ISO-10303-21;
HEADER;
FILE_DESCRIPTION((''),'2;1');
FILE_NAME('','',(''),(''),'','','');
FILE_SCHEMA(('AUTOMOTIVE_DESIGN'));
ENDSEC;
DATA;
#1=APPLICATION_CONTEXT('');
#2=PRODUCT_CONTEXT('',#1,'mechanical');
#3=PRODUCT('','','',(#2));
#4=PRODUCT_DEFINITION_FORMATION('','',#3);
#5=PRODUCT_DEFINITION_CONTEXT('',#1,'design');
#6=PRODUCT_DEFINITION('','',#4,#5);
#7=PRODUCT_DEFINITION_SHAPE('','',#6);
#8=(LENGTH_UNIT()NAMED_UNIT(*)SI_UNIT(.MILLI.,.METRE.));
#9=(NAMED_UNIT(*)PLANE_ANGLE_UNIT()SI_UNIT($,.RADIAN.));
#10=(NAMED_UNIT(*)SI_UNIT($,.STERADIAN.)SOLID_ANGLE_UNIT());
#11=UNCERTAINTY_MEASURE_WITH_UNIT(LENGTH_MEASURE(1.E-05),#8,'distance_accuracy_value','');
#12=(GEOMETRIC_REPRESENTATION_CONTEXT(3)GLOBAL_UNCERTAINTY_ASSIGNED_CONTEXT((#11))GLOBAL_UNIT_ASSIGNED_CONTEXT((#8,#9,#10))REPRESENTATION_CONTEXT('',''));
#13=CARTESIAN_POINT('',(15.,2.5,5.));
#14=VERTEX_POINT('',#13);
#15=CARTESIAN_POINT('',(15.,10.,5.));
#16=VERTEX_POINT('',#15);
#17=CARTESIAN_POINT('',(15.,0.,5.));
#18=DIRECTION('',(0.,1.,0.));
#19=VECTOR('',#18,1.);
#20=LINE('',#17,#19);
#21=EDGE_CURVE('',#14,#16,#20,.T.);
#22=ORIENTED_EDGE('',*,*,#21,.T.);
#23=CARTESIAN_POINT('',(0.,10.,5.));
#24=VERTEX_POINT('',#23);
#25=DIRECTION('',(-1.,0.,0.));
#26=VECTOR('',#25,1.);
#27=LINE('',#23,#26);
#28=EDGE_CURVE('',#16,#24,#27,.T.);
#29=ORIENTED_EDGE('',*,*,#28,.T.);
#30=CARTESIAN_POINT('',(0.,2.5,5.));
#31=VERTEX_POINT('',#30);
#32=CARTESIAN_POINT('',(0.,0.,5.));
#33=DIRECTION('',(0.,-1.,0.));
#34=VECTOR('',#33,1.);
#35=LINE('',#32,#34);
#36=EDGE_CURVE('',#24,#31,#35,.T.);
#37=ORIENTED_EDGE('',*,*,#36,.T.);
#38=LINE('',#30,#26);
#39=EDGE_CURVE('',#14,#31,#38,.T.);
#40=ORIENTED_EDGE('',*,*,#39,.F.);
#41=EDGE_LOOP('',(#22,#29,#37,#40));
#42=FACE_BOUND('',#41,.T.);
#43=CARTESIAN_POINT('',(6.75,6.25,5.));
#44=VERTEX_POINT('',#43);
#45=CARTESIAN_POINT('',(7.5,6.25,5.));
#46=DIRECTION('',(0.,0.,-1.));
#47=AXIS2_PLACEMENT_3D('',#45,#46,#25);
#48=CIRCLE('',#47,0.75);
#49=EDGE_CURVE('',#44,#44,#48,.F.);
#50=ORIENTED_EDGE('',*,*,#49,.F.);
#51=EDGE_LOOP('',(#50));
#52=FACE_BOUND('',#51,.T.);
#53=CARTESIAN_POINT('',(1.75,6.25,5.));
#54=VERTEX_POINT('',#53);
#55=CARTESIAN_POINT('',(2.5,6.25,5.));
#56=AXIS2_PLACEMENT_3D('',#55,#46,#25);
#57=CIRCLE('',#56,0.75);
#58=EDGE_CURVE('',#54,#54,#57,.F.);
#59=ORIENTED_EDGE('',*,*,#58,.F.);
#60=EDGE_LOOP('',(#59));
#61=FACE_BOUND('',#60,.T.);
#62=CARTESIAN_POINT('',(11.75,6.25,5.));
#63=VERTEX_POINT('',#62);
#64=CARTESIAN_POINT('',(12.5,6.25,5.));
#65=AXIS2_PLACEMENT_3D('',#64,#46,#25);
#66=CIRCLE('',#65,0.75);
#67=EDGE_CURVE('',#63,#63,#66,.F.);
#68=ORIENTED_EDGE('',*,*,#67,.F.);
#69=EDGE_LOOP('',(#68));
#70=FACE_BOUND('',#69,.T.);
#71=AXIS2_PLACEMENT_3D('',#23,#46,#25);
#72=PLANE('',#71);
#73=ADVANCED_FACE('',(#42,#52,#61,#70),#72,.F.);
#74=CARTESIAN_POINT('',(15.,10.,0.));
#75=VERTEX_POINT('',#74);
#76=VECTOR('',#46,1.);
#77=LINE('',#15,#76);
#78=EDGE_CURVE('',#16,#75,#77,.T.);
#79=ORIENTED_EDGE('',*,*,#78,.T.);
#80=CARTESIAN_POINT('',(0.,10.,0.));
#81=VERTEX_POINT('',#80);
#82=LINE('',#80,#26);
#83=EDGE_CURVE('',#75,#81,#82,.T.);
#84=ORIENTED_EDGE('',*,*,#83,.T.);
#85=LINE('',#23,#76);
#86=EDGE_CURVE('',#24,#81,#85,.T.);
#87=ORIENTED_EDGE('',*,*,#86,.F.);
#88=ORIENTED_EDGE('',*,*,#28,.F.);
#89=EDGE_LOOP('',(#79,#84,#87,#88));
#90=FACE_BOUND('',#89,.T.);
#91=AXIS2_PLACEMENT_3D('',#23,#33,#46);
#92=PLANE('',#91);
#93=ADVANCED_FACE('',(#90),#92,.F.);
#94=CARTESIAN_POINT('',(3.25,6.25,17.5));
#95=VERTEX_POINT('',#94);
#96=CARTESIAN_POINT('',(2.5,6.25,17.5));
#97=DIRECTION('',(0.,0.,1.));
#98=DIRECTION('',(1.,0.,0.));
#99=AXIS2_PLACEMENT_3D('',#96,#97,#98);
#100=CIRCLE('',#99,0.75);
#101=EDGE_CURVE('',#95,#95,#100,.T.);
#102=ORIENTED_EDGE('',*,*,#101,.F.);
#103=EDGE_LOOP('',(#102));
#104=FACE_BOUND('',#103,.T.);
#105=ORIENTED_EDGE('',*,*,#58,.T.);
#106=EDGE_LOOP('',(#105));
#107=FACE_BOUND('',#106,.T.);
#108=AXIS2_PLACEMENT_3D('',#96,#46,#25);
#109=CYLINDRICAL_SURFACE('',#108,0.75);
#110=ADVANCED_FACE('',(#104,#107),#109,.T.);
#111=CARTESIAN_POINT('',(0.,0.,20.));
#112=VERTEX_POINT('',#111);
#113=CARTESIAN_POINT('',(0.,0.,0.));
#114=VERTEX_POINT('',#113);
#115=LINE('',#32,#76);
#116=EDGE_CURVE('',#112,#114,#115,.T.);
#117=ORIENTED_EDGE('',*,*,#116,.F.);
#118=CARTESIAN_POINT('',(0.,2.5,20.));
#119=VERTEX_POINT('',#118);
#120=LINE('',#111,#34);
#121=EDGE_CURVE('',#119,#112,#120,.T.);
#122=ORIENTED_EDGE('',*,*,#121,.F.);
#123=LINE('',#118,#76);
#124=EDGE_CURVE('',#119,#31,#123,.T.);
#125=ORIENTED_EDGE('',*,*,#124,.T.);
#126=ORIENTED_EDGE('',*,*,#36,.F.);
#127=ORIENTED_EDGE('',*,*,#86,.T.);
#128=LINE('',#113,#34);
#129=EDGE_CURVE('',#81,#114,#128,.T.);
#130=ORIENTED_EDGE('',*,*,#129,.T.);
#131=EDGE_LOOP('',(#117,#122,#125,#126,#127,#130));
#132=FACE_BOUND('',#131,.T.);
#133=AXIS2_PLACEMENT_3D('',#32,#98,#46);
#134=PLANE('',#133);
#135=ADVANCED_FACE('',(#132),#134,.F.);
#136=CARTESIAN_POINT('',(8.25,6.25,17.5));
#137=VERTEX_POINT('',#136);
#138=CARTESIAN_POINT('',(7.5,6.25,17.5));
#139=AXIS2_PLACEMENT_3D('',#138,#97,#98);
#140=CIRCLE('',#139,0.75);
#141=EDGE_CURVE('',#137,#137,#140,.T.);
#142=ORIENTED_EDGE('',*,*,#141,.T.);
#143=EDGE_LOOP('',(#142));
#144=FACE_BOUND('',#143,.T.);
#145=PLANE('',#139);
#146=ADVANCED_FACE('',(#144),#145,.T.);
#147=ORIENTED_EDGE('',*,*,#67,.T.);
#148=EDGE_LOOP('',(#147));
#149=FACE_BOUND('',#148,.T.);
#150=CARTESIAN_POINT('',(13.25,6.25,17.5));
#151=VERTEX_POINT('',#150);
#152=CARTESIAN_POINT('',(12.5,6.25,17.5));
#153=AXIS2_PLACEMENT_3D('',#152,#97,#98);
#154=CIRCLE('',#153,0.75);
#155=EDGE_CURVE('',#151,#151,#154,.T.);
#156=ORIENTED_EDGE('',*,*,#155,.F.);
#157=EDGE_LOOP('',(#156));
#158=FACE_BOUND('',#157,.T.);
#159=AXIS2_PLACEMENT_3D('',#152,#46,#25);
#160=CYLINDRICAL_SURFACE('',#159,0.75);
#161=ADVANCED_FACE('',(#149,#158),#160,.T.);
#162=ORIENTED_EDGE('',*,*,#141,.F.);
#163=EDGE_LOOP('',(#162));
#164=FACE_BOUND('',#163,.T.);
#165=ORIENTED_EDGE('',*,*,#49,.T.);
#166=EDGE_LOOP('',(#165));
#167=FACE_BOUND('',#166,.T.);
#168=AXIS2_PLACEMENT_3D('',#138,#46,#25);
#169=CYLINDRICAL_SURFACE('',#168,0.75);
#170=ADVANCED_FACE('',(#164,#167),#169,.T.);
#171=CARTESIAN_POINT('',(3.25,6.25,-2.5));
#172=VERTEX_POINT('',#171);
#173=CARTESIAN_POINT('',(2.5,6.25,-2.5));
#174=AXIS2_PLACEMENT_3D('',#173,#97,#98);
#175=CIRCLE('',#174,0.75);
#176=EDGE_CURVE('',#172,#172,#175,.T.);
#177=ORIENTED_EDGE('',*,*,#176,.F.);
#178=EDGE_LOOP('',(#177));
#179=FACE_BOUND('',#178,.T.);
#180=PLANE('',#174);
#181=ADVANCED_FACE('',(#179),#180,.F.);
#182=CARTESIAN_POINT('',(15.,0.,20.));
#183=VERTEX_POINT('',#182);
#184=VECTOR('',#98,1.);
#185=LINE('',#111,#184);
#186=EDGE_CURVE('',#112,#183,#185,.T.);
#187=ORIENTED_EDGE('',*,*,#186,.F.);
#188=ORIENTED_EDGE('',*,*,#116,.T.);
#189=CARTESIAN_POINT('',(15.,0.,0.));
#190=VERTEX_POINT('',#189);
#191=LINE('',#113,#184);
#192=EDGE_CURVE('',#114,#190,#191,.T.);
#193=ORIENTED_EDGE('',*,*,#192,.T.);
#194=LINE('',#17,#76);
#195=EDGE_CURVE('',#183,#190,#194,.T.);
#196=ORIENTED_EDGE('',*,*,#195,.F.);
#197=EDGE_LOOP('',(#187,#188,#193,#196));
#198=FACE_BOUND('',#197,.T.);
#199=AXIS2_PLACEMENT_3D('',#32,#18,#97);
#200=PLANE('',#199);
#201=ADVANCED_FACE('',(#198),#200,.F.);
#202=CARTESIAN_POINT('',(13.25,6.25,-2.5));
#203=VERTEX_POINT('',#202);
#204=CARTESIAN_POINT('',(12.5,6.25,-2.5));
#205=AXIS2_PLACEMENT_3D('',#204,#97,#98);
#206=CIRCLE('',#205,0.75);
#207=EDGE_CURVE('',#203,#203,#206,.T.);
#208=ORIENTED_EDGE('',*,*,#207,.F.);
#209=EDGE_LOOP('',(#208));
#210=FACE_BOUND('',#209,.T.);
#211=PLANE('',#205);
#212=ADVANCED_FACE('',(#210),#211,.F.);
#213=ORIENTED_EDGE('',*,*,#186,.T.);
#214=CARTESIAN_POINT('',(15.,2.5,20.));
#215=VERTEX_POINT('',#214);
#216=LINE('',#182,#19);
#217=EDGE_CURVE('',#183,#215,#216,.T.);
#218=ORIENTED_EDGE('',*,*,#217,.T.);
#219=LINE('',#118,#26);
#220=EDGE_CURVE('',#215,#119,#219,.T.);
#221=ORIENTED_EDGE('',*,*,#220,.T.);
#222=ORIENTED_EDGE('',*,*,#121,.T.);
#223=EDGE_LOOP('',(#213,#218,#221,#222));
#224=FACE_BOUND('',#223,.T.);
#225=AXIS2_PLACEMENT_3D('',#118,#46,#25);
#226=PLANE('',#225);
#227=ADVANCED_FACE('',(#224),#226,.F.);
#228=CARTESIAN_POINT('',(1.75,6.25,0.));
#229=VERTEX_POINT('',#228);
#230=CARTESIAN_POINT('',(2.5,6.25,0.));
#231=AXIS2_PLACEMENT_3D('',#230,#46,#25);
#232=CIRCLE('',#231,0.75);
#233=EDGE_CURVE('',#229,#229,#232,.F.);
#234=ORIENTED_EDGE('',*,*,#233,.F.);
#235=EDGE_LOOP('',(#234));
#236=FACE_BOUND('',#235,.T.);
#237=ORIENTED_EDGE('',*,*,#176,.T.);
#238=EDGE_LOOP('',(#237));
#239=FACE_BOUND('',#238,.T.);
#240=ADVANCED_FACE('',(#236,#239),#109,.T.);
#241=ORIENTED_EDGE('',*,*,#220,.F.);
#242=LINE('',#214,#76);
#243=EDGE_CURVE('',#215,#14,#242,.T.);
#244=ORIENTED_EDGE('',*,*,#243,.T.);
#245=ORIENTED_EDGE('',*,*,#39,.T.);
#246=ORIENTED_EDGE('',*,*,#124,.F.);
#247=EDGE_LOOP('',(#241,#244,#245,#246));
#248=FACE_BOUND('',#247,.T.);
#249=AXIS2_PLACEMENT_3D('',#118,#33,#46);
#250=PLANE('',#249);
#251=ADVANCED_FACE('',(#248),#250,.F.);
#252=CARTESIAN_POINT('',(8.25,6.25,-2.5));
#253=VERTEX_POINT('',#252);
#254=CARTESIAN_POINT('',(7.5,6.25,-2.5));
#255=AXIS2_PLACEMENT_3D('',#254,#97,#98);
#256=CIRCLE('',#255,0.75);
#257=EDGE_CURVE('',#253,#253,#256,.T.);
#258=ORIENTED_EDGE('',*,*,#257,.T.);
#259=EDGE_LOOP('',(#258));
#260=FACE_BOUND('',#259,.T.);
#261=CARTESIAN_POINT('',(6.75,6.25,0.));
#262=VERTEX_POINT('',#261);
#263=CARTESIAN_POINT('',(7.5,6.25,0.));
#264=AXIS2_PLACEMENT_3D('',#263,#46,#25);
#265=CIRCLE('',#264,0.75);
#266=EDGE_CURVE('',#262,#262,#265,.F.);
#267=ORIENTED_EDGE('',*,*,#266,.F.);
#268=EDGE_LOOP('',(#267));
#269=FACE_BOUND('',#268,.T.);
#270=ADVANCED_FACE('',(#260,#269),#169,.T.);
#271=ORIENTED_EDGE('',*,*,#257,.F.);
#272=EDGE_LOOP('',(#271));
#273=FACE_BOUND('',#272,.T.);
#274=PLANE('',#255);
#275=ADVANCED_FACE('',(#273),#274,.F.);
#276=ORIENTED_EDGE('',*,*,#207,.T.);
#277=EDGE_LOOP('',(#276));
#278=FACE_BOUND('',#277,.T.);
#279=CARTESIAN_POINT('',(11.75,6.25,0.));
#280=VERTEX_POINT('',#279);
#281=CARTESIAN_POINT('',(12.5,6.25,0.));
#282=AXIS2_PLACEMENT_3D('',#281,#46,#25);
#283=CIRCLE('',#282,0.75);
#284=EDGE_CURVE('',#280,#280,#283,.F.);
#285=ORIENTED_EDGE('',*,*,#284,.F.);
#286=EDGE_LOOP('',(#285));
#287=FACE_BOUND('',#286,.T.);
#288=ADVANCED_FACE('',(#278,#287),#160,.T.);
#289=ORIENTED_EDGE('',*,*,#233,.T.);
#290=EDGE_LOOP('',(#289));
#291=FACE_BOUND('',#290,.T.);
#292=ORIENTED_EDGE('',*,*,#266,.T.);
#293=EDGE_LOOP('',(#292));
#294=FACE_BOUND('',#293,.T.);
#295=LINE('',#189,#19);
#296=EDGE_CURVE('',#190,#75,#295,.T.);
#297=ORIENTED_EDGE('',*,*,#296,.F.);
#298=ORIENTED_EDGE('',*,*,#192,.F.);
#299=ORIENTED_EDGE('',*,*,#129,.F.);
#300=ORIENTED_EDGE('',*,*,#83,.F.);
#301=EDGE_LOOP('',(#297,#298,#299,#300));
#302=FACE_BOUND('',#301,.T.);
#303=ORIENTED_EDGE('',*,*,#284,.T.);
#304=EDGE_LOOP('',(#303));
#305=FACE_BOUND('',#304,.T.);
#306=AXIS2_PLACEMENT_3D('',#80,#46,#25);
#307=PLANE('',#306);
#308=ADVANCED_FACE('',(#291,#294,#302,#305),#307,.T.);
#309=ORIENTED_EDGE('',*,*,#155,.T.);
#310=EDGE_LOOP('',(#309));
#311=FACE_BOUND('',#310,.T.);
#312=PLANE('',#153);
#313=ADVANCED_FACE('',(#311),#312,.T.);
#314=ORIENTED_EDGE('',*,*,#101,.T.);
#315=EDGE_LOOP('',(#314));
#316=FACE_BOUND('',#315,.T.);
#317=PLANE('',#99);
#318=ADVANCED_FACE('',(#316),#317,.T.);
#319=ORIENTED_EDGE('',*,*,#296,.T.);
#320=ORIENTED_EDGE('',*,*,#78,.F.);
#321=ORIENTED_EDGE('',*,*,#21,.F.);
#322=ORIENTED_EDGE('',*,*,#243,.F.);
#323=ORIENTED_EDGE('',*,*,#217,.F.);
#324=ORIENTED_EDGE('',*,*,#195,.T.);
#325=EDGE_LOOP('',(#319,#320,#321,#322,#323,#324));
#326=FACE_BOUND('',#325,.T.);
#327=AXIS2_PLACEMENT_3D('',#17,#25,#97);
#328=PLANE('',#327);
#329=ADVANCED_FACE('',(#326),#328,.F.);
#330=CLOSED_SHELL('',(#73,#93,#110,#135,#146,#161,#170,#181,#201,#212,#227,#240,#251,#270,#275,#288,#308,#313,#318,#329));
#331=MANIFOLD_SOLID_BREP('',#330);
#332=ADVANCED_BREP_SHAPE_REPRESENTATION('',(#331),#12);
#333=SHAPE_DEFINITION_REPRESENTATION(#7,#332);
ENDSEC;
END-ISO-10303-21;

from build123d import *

# Parameters (mm, degrees)
SKETCH_1_W           = 15
SKETCH_1_H           = 10
EXTRUDE_1_DEPTH      = 5
SKETCH_2_W           = 15
SKETCH_2_H           = 2.5
EXTRUDE_2_DEPTH      = 15
EXTRUDE_3_DEPTH      = 12.5
EXTRUDE_3_DEPTH_BACK = 7.5
SKETCH_3_R           = 0.75


with BuildPart() as part:
    # Эскиз1 → Вытянуть1 (new body)
    with BuildSketch(Plane.XY):
        with Locations((7.5, 5)):
            Rectangle(SKETCH_1_W, SKETCH_1_H)
    extrude(amount=EXTRUDE_1_DEPTH)

    # Эскиз2 → Вытянуть2 (add)
    with BuildSketch(Plane.XY.offset(5)):
        with Locations((7.5, 1.25)):
            Rectangle(SKETCH_2_W, SKETCH_2_H)
    extrude(amount=EXTRUDE_2_DEPTH)

    # Эскиз3 → Вытянуть3 (add, two sides: drawn at the far end of the back side and taken through both)
    with BuildSketch(Plane.XY.offset(5).offset(-EXTRUDE_3_DEPTH_BACK)):
        with Locations((7.5, 6.25)):
            Circle(SKETCH_3_R)
        with Locations((12.5, 6.25)):
            Circle(SKETCH_3_R)
        with Locations((2.5, 6.25)):
            Circle(SKETCH_3_R)
    extrude(amount=EXTRUDE_3_DEPTH + EXTRUDE_3_DEPTH_BACK)


solid = part.part
